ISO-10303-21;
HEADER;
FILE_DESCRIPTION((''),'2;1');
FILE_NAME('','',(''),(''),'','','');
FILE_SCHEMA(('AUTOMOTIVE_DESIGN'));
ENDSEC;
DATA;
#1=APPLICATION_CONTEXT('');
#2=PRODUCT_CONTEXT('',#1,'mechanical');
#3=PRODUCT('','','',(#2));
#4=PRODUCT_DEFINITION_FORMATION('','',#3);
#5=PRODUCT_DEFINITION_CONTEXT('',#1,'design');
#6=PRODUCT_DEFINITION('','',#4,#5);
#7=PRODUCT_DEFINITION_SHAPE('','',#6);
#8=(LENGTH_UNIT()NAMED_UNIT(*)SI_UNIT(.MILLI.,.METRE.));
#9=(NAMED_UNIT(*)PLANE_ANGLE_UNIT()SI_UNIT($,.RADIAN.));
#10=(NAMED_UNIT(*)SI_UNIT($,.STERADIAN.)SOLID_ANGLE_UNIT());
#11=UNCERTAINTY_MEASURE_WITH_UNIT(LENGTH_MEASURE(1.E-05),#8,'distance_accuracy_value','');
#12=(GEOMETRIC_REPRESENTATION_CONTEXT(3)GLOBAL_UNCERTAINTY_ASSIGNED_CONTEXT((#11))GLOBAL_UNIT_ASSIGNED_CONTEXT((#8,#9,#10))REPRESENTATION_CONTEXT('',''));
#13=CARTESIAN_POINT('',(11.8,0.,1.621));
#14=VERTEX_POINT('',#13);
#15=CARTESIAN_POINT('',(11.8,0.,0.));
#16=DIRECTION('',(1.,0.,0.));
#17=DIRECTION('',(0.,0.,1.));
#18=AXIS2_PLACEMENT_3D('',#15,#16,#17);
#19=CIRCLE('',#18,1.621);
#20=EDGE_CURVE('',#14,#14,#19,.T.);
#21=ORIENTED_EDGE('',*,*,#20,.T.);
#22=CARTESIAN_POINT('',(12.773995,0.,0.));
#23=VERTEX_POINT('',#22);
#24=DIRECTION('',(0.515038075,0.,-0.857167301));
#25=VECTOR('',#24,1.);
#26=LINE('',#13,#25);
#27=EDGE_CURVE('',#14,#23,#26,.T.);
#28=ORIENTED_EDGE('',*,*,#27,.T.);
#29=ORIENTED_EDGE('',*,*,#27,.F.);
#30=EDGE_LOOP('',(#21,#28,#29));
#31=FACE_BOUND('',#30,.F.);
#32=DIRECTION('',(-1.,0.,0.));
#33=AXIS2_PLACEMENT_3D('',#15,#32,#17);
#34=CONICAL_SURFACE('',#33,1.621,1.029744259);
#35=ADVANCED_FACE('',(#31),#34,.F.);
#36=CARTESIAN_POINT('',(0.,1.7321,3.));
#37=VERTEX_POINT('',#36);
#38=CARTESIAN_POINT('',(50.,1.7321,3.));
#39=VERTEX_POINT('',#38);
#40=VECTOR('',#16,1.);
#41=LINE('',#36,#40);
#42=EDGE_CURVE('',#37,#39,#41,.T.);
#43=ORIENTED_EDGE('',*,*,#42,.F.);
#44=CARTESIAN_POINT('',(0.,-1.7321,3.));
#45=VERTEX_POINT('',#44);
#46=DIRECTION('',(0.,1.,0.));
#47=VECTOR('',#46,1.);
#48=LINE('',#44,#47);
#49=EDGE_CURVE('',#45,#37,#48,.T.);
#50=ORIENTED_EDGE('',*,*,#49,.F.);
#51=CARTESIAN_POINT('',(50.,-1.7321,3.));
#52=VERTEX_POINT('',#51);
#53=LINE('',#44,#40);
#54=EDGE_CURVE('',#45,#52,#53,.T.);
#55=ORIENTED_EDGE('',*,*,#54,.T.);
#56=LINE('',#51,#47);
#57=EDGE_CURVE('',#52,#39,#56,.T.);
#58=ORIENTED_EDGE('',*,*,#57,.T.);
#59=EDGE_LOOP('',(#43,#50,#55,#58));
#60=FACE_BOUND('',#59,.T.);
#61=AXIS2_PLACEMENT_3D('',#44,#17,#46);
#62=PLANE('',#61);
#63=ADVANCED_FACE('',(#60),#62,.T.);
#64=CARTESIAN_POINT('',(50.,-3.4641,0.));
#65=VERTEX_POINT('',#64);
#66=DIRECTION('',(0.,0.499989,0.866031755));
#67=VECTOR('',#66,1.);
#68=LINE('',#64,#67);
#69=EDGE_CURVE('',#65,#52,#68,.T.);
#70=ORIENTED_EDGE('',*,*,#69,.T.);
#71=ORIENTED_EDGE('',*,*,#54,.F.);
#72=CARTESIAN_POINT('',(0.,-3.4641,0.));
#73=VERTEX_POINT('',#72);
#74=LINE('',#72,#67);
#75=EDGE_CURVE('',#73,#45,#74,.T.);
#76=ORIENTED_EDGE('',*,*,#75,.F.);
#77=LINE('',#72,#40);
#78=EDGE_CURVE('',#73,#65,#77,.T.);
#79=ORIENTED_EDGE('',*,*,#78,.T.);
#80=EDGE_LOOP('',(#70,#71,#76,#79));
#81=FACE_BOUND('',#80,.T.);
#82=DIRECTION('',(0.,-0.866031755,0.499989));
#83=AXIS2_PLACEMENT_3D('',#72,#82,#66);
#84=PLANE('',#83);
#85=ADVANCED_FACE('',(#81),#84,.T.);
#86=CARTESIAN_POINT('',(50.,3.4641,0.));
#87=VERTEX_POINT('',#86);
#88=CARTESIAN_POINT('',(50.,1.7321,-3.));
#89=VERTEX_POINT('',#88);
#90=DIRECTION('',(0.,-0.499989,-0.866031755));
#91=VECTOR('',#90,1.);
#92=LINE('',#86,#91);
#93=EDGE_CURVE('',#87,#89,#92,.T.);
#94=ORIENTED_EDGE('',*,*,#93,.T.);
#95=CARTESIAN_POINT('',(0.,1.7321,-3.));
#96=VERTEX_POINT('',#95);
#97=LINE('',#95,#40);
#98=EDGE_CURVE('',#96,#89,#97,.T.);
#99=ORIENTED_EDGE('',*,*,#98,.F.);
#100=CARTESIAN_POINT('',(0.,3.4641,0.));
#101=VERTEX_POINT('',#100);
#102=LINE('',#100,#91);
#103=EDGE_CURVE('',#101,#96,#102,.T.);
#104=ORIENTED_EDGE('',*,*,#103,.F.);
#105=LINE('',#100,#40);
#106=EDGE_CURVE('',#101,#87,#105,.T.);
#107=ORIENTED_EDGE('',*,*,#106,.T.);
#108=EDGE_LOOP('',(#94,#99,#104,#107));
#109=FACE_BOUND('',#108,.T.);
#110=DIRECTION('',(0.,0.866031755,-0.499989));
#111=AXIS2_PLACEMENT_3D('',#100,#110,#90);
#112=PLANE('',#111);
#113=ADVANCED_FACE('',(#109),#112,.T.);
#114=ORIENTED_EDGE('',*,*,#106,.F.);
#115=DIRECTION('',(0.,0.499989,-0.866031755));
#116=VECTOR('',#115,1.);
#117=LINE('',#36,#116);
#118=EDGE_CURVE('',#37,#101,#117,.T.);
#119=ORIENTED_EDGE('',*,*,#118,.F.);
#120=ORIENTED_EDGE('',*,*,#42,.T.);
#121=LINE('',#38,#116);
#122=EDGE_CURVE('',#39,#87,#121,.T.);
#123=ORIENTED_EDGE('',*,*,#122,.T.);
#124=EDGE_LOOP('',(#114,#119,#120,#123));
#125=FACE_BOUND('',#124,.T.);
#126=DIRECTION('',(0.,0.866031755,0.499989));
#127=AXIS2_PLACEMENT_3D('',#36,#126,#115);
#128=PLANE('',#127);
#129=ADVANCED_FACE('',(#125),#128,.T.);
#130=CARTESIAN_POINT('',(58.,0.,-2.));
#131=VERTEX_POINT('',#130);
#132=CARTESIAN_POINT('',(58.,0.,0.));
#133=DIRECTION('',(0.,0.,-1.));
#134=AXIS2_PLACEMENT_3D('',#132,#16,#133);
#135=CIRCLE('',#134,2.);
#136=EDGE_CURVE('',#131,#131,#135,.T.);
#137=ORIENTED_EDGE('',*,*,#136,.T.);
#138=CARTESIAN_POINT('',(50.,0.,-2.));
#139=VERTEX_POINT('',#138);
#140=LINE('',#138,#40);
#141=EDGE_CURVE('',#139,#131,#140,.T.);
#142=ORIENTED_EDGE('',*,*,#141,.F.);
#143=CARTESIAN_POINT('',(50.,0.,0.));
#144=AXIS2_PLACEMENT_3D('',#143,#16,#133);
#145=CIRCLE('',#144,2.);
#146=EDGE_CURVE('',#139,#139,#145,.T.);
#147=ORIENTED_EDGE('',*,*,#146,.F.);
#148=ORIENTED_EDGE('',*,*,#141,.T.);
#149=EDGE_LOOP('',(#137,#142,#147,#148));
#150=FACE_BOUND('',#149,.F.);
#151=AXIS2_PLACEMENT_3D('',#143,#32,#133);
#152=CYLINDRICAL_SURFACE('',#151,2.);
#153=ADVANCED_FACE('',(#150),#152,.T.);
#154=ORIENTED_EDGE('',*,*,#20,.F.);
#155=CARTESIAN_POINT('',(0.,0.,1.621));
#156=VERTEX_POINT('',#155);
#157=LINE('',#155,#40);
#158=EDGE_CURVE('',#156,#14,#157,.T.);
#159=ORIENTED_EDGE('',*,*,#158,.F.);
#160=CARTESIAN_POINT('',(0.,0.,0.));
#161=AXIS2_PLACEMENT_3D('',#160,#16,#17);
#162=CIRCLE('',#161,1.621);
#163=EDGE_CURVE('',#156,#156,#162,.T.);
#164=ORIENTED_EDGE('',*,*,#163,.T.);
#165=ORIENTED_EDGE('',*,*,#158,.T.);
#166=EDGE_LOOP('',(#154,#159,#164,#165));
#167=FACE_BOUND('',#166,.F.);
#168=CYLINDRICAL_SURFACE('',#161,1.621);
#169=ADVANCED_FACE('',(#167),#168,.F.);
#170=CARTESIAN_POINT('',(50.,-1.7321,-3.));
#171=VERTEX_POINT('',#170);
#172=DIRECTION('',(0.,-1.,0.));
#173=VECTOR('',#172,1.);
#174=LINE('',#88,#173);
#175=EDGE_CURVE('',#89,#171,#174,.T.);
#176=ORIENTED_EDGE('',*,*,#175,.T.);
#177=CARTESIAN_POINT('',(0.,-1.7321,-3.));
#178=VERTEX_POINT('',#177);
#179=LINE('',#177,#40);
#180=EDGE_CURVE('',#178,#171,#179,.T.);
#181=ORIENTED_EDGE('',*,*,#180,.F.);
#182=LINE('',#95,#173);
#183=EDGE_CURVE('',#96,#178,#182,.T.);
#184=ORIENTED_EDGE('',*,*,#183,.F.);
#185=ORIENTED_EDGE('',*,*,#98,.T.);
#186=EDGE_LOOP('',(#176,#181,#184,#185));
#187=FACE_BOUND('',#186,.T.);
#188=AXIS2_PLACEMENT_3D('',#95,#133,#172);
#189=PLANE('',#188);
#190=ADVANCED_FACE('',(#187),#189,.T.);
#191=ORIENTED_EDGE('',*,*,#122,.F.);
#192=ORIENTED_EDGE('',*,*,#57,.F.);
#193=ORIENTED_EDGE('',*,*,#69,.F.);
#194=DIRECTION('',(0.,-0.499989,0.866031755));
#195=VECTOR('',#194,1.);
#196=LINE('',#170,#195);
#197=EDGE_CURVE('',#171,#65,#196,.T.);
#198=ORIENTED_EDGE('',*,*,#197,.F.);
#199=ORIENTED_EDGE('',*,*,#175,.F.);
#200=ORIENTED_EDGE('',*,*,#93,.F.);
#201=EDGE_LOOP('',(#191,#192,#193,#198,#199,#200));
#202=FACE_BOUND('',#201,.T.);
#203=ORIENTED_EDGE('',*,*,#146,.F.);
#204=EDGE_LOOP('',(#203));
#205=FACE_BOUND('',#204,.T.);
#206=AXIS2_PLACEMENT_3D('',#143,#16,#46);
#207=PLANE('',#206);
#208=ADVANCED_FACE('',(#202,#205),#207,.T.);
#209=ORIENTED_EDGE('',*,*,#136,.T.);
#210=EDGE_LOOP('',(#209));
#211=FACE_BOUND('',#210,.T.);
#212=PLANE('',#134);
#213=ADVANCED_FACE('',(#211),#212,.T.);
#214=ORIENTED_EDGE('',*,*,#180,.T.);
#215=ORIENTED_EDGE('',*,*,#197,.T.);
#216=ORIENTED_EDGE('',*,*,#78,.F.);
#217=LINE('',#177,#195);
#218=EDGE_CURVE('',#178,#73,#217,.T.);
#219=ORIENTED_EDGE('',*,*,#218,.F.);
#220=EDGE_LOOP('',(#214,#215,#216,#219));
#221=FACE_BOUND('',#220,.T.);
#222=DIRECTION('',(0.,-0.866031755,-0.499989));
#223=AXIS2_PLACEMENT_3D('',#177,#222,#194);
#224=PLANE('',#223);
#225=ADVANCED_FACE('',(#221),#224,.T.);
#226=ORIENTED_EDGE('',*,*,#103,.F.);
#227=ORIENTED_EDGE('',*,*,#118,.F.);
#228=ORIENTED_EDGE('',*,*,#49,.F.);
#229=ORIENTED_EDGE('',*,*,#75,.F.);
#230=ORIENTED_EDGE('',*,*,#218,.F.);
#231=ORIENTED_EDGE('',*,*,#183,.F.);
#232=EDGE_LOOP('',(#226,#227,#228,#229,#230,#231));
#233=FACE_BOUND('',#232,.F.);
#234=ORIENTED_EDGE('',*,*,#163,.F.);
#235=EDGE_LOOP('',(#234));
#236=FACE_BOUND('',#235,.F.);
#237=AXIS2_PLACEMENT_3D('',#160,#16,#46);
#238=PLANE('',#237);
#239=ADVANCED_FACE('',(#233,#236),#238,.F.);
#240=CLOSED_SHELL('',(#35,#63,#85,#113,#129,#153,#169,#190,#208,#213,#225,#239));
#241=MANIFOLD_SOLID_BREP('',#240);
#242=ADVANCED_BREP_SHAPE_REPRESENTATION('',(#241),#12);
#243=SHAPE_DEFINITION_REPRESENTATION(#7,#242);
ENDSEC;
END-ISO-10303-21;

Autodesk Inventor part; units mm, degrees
ref_plane "YZ Plane" through (0, 0, 0) normal (1, 0, 0) x (0, 1, 0)
ref_plane "XZ Plane" through (0, 0, 0) normal (0, 1, 0) x (-1, 0, 0)
ref_plane "XY Plane" through (0, 0, 0) normal (0, 0, 1) x (1, 0, 0)
sketch "スケッチ1" plane through (0, 0, 0) normal (1, 0, 0) x (0, 1, 0)
  line L0 (1.7321, -3) -> (-1.7321, -3)
  line L1 (-1.7321, -3) -> (-3.4641, 0)
  line L2 (-3.4641, 0) -> (-1.7321, 3)
  line L3 (-1.7321, 3) -> (1.7321, 3)
  line L4 (1.7321, 3) -> (3.4641, 0)
  line L5 (3.4641, 0) -> (1.7321, -3)
  point P0 (0, 0)
  point P1 (0, 0)
  dimension "d0" = 6
extrude "押し出し1" add sketch "スケッチ1" along normal blind 50
sketch "スケッチ2" plane through (50, 0, 0) normal (1, 0, 0) x (0, 0, -1)
  circle A0 centre (0, 0) radius 2
  dimension "d3" = 4
extrude "押し出し2" add sketch "スケッチ2" along normal blind 8
thread "ねじ1" size "M4x0.7" class "6g" standard "ANSI Metric M Profile" full length
sketch "スケッチ3" plane through (0, 0, 0) normal (-1, 0, 0) x (0, 0, 1)
  point P0 (0, 0)
  point P1 (0, 0)
hole "穴1" at (0, 0, 0) direction (1, 0, 0) diameter 3.242 depth 11.8 tip angle 118 thread size "M4x0.7" class "6H" standard "ISO Metric profile"
properties part number "Spacer_M4_L45" material "鋼、合金"
